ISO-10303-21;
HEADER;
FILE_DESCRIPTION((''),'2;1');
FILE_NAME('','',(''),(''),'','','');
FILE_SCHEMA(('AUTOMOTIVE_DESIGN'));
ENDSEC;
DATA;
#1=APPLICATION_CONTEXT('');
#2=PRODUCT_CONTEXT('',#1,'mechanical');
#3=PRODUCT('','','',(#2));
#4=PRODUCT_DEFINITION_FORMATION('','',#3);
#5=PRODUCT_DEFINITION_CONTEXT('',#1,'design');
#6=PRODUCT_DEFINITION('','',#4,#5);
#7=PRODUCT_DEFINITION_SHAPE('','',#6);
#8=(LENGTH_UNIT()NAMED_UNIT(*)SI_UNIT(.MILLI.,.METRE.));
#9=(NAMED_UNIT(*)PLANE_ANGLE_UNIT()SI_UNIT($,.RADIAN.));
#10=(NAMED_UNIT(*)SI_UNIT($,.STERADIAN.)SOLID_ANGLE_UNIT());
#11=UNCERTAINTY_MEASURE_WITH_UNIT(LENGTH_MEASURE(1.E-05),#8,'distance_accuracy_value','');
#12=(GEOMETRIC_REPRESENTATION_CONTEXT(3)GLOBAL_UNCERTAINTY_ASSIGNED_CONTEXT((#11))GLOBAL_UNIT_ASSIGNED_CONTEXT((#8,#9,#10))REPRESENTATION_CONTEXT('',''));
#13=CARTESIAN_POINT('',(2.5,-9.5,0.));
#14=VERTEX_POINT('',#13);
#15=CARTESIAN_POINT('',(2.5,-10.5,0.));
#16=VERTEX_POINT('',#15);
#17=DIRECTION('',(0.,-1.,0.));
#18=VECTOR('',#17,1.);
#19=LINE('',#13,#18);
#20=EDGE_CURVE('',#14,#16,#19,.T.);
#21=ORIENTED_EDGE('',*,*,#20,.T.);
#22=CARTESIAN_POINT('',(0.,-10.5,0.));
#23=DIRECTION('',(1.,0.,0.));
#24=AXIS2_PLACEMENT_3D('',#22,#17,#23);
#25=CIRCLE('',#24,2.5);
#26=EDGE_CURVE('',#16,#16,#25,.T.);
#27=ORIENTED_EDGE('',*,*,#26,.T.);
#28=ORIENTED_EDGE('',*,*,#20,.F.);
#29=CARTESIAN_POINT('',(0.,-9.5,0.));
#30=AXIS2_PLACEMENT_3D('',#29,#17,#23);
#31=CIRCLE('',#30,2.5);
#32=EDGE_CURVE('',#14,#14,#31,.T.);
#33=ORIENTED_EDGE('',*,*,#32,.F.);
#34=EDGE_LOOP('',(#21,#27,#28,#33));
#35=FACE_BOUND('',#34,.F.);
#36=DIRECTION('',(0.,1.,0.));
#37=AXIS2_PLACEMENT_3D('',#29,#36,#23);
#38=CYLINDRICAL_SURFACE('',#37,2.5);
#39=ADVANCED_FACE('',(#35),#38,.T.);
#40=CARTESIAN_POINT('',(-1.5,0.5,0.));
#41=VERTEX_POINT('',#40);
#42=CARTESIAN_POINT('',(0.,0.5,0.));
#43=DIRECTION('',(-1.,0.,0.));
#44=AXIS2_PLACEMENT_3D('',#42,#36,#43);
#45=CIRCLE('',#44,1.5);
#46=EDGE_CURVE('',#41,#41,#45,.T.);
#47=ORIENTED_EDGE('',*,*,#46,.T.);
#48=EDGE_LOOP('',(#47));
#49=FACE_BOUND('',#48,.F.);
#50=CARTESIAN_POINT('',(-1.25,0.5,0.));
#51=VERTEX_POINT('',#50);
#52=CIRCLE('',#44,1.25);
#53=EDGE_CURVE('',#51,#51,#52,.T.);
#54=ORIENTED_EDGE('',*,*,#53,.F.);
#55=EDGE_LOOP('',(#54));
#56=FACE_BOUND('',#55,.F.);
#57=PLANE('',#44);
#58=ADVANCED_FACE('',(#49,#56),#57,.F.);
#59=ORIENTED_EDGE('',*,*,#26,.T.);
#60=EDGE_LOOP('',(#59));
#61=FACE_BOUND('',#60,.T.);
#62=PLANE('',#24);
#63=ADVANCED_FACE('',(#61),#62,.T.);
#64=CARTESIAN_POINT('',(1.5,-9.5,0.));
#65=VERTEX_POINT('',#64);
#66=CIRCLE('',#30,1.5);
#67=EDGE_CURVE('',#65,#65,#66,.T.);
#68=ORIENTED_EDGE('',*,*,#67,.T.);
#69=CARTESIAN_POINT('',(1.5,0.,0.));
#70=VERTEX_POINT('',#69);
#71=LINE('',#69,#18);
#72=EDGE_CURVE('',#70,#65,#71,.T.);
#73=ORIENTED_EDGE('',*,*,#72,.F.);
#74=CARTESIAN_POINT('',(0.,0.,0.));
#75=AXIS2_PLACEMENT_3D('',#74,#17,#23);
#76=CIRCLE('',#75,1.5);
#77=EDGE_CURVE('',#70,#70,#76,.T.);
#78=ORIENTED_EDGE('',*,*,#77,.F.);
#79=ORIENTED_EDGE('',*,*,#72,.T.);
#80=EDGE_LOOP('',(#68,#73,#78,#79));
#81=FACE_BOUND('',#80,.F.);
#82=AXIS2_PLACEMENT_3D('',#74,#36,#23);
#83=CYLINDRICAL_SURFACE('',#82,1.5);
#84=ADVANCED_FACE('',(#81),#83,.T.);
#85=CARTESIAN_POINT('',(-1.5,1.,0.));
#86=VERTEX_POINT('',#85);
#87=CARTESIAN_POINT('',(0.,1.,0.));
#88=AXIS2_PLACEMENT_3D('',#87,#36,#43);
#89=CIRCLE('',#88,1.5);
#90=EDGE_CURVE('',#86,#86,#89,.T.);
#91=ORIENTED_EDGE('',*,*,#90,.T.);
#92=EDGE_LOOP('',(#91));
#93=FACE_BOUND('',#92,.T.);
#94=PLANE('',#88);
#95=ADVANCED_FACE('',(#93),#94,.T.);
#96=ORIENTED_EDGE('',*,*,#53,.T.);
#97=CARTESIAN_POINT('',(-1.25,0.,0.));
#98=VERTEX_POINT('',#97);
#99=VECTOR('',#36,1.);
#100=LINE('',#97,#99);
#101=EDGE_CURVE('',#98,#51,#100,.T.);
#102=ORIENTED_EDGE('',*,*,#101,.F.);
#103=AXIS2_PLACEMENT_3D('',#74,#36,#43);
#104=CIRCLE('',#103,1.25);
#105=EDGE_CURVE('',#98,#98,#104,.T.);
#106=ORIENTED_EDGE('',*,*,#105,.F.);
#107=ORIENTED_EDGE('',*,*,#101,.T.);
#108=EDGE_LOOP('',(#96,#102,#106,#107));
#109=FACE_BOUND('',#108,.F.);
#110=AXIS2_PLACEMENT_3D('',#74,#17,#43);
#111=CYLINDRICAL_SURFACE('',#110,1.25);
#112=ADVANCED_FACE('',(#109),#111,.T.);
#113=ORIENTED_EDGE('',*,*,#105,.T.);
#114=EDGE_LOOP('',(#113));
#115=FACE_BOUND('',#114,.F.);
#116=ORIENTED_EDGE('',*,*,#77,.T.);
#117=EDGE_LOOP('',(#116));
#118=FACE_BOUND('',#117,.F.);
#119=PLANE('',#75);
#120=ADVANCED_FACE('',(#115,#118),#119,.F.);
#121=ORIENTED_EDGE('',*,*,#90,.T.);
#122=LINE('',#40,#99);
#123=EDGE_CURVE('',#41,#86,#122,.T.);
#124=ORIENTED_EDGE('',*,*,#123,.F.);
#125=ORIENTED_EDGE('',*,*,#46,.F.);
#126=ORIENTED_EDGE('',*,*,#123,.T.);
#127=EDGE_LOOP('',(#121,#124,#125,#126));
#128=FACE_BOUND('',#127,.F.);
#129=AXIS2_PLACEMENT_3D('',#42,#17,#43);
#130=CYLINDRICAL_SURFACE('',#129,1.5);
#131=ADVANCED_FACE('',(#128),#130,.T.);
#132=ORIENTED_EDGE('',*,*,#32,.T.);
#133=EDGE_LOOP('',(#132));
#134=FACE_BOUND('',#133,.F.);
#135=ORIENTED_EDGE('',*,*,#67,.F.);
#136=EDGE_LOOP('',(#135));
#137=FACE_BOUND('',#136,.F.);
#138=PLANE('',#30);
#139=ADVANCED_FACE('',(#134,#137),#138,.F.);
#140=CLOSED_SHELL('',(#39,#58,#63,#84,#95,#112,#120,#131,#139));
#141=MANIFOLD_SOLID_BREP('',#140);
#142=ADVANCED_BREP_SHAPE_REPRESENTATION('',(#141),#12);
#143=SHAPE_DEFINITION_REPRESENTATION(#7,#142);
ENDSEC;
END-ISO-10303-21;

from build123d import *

# Parameters (mm, degrees)
F0_R     = 1.5
F1_DEPTH = 9.5
F2_R     = 2.5
F3_DEPTH = 1
F4_R     = 1.25
F5_DEPTH = 0.5
F6_R     = 1.5
F7_DEPTH = 0.5


with BuildPart() as f1:
    # F0 (on Front) → F1 (new body)
    with BuildSketch(Plane.XZ):
        Circle(F0_R)
    extrude(amount=F1_DEPTH)

    # F2 (on face) → F3 (join)
    with BuildSketch(Plane.XZ.offset(9.5)):
        Circle(F2_R)
    extrude(amount=F3_DEPTH)

    # F4 (on face) → F5 (join)
    with BuildSketch(Plane(origin=(0, 0, 0), x_dir=(-1, 0, 0), z_dir=(0, 1, 0))):
        Circle(F4_R)
    extrude(amount=F5_DEPTH)

    # F6 (on face) → F7 (join)
    with BuildSketch(Plane(origin=(0, 0.5, 0), x_dir=(-1, 0, 0), z_dir=(0, 1, 0))):
        Circle(F6_R)
    extrude(amount=F7_DEPTH)


solid = f1.part
